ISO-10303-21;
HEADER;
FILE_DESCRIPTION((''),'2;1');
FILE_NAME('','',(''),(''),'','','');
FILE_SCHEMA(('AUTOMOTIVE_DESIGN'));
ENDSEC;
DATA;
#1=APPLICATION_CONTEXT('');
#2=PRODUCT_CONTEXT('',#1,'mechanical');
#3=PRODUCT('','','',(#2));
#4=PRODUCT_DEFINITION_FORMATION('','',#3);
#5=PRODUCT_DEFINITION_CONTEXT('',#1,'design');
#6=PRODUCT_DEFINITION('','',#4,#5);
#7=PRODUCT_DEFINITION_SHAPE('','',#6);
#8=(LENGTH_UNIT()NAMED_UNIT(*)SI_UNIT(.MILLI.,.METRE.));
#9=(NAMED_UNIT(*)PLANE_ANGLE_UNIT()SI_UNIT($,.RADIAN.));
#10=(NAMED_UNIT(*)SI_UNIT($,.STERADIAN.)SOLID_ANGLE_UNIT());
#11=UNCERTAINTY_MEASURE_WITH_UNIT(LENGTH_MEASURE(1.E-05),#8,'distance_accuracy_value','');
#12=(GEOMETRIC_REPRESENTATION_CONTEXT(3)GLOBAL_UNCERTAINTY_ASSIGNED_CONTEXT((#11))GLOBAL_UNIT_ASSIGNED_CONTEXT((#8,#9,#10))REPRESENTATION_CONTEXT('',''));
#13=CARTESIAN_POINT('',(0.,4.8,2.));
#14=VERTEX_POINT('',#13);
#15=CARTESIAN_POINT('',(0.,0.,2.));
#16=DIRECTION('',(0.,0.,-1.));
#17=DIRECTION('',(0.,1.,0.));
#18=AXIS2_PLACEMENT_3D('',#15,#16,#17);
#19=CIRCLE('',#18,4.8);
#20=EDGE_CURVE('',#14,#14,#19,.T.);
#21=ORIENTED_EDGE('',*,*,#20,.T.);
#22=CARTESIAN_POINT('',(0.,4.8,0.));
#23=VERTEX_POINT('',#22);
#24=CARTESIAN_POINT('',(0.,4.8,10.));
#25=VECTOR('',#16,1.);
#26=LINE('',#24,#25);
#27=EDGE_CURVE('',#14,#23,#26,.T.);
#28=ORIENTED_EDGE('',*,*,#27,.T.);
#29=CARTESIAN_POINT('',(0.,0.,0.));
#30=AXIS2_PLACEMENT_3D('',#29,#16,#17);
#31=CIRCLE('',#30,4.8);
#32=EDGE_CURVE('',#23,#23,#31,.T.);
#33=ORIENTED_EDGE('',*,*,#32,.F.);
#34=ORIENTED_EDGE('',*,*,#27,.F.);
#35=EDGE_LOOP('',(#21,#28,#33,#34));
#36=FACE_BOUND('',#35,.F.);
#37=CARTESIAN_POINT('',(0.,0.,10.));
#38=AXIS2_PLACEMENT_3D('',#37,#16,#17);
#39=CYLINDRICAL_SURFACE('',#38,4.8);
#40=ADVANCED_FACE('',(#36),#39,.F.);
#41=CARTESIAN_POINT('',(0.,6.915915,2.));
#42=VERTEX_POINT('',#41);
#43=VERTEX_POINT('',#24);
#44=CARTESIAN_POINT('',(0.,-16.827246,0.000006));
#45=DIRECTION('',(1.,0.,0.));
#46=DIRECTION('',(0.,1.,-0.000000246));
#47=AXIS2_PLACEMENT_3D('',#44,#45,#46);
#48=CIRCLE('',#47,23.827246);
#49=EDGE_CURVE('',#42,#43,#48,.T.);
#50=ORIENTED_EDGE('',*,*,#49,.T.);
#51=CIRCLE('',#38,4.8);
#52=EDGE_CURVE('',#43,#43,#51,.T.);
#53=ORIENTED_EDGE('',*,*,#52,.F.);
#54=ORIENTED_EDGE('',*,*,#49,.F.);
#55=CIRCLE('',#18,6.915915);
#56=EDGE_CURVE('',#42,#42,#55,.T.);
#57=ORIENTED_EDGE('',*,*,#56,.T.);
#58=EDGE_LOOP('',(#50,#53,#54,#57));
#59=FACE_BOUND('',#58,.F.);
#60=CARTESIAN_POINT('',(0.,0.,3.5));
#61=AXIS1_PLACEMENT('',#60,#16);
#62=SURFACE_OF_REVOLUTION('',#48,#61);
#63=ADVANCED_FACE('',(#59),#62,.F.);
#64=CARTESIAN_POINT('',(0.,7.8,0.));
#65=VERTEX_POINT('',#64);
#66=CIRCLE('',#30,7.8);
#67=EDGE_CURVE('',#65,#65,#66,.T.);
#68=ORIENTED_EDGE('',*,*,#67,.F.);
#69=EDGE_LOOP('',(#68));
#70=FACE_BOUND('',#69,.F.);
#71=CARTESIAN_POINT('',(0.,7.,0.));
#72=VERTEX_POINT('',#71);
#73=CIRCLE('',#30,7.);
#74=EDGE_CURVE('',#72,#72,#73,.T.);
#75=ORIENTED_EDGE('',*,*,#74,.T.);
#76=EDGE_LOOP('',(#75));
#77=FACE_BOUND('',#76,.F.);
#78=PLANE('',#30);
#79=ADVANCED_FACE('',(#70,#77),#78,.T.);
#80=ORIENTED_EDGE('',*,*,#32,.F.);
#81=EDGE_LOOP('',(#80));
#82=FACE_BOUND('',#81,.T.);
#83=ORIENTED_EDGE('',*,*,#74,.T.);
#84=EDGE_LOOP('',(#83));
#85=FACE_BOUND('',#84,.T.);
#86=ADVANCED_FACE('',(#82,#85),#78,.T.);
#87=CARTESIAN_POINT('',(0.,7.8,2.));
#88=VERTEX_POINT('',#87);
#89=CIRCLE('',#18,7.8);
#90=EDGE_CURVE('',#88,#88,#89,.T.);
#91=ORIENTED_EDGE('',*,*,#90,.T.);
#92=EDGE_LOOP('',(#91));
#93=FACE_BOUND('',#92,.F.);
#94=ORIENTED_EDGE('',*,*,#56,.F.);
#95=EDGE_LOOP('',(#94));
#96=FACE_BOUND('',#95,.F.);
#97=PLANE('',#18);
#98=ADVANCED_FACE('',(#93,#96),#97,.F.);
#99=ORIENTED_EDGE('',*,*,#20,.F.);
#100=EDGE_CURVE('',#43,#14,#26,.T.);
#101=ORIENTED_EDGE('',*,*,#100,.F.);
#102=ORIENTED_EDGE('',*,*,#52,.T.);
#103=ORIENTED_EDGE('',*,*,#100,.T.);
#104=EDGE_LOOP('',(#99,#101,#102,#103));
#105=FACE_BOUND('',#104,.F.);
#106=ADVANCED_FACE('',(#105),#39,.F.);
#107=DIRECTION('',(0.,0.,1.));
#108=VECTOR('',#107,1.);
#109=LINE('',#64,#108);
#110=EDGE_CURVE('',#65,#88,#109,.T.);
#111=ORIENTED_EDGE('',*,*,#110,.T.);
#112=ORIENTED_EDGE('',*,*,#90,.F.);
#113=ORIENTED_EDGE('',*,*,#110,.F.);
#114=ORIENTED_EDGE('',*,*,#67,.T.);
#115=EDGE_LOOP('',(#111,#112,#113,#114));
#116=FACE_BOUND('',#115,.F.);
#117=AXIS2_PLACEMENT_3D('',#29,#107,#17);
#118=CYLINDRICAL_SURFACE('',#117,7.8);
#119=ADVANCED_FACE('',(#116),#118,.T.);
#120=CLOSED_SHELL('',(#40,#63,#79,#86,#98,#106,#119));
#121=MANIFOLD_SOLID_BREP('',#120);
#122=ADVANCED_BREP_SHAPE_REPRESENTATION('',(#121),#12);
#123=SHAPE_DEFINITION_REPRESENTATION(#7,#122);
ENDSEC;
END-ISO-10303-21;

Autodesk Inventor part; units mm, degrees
ref_plane "YZ Plane" through (0, 0, 0) normal (1, 0, 0) x (0, 1, 0)
ref_plane "XZ Plane" through (0, 0, 0) normal (0, 1, 0) x (-1, 0, 0)
ref_plane "XY Plane" through (0, 0, 0) normal (0, 0, 1) x (1, 0, 0)
sketch "Sketch1" plane through (0, 0, 0) normal (1, 0, 0) x (0, 1, 0)
  line L0 (0, 0) -> (7, 0) construction
  arc A0 (7, 0) -> (4.8, 10) centre (-16.8273, 0) ccw
  line L1 (0, 3.5) -> (0, 0) construction
  line L2 (4.8, 10) -> (4.8, 10)
  line L3 (7, 0) -> (4.8, 0)
  line L4 (4.8, 10) -> (4.8, 0)
  line L5 (4.8, 0) -> (7.8, 0)
  line L6 (7.8, 0) -> (7.8, 2)
  line L7 (7.8, 2) -> (4.8, 2)
  line L8 (4.8, 2) -> (4.8, 0)
  point P0 (0, 6.2097)
  dimension "d1" = 7
  dimension "d10" = 10
  dimension "d11" = 0
  dimension "d12" = 4.8
  dimension "d13" = 2
  dimension "d14" = 3
revolve "Revolution1" add sketch "Sketch1" angle 360 about axis through (0, 0, 3.5) along (0, 0, -1)
properties part number "brush fitting partb"
